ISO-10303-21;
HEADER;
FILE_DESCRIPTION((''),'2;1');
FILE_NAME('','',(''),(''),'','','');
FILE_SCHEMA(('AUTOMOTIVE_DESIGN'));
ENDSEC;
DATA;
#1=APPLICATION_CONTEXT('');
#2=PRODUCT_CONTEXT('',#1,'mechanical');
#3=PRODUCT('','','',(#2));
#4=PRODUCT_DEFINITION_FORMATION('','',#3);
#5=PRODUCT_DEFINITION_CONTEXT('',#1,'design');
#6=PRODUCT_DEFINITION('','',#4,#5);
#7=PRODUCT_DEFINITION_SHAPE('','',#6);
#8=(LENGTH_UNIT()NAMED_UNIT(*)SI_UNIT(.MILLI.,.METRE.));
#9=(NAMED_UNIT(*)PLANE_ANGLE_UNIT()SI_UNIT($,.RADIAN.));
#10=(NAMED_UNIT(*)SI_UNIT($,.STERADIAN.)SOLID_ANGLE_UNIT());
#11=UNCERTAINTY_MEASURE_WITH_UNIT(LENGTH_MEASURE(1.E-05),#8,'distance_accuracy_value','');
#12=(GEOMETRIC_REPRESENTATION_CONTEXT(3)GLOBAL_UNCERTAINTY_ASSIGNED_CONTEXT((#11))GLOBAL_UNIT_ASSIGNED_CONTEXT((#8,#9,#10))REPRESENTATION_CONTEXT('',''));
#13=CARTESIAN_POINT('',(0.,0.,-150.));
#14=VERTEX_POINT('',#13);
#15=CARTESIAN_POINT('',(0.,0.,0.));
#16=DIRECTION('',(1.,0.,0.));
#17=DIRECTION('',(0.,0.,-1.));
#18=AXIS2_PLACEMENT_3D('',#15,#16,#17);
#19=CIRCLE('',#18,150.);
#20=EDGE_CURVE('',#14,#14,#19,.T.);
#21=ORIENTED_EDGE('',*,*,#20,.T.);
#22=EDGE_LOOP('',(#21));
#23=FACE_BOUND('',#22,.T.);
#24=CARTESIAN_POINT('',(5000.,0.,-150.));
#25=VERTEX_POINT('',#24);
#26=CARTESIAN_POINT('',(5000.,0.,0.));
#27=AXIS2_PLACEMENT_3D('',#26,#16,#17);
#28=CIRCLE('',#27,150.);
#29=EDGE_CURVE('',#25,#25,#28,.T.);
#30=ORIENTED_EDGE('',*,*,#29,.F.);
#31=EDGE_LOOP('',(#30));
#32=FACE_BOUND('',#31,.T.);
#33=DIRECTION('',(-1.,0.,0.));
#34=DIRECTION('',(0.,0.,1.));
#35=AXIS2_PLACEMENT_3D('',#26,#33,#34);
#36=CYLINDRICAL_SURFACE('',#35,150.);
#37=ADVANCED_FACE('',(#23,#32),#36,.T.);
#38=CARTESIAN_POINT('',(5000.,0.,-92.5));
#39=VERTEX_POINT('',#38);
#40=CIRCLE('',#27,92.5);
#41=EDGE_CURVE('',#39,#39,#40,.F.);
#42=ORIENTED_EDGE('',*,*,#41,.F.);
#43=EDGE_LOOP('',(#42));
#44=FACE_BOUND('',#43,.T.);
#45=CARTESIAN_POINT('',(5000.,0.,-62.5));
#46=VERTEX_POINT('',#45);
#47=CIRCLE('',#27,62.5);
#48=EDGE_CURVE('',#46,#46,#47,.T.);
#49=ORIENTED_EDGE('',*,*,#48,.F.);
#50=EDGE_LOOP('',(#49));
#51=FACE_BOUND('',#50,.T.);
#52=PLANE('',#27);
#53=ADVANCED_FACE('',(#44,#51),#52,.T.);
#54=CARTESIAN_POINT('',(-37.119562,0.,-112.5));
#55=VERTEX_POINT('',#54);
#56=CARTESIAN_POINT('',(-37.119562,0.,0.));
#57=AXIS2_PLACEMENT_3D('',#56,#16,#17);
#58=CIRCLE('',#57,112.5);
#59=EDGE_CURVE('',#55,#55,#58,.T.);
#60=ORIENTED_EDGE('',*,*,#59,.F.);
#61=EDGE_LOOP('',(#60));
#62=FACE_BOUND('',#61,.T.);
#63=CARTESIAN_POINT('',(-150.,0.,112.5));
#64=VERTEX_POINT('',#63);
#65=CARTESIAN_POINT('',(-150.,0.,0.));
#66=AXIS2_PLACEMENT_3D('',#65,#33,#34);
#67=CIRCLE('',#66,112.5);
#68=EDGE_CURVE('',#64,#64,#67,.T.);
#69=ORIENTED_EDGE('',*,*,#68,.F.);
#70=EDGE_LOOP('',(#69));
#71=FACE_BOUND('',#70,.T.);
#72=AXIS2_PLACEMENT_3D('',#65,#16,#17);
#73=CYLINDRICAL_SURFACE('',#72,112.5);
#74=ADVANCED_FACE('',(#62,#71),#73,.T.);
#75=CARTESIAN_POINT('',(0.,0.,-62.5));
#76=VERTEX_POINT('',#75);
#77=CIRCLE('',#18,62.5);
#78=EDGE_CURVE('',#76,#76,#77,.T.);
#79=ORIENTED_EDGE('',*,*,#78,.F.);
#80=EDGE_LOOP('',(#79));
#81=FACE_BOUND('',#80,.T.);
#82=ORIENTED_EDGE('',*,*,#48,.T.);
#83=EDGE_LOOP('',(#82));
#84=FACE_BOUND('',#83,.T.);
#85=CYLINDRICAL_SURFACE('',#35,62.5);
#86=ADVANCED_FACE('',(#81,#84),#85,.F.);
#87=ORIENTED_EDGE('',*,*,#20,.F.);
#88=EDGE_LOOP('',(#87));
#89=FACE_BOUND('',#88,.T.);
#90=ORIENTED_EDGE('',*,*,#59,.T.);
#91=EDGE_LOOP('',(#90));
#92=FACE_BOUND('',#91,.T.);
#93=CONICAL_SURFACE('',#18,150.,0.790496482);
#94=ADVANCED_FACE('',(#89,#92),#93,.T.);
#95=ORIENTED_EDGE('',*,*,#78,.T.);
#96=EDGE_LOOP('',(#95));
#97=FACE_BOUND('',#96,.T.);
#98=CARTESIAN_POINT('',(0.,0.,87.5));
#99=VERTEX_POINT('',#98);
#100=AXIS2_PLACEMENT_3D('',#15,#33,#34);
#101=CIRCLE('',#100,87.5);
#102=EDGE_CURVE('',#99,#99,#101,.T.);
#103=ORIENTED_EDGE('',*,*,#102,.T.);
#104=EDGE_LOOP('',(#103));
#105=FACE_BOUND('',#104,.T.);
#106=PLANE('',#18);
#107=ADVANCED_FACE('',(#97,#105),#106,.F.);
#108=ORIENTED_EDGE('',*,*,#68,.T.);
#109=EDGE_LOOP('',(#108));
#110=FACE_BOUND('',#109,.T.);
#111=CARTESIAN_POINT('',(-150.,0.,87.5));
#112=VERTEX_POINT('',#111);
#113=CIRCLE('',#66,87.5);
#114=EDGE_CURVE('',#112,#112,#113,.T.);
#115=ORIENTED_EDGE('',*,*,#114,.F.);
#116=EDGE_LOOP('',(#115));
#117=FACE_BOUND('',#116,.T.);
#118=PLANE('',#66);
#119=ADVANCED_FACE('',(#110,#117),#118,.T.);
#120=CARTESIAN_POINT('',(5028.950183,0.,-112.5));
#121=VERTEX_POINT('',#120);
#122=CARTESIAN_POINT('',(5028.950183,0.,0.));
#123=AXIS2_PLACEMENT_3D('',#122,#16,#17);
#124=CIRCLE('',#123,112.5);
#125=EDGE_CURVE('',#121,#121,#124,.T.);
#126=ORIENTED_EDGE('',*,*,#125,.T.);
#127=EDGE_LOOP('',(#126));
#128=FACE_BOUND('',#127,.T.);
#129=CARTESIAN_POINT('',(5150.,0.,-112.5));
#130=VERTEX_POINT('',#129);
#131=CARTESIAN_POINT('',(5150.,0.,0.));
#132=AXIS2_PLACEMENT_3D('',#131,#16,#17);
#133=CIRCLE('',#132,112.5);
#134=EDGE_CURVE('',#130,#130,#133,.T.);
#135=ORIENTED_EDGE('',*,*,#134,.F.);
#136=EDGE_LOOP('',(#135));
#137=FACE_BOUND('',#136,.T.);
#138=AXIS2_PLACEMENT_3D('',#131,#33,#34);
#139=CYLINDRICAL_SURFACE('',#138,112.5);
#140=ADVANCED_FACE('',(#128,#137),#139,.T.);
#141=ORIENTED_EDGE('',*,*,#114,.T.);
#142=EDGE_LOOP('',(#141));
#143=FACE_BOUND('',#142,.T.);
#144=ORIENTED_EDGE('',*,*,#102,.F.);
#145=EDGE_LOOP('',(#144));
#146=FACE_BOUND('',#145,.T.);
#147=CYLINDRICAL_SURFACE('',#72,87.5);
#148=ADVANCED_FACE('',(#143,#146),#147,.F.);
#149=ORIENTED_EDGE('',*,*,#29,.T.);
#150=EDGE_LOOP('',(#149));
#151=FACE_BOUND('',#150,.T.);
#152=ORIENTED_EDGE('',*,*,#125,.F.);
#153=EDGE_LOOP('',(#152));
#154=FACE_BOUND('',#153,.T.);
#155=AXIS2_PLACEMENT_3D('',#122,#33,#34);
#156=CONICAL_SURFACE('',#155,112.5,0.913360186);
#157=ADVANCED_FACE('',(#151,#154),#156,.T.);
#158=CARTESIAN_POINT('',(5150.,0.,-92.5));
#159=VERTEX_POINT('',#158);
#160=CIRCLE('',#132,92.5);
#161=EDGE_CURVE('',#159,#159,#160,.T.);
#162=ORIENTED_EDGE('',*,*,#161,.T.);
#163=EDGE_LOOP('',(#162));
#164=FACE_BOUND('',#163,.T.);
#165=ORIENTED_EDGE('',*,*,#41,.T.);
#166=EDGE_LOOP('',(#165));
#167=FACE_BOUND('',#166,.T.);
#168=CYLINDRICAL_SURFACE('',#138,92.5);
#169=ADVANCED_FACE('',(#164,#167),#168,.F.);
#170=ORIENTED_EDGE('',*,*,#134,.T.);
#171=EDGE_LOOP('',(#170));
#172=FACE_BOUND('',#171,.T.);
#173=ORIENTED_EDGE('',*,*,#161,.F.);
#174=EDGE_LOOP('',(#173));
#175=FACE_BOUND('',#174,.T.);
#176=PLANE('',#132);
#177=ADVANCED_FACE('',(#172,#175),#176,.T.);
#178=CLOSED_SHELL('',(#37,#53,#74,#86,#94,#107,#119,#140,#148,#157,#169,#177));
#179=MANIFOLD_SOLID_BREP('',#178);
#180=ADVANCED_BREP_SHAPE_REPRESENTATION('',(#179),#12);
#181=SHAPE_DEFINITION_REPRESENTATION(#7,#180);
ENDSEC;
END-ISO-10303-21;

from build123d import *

# Parameters (mm, degrees)
SKETCH1_R           = 150
SKETCH1_R_2         = 62.5
BOSS_EXTRUDE1_DEPTH = 5000
SKETCH2_R           = 112.5
SKETCH2_R_2         = 92.5
BOSS_EXTRUDE2_DEPTH = 150
SKETCH6_R           = 112.5
SKETCH6_R_2         = 87.5
BOSS_EXTRUDE3_DEPTH = 150


with BuildPart() as part:
    # Sketch1 → Boss-Extrude1 (new body)
    with BuildSketch(Plane(origin=(0, 0, 0), x_dir=(0, 0, -1), z_dir=(1, 0, 0))):
        Circle(SKETCH1_R)
        Circle(SKETCH1_R_2, mode=Mode.SUBTRACT)
    extrude(amount=BOSS_EXTRUDE1_DEPTH)



with BuildPart() as body_2:
    # Sketch2 → Boss-Extrude2 (new body)
    with BuildSketch(Plane(origin=(5000, 0, 0), x_dir=(0, 0, -1), z_dir=(1, 0, 0))):
        Circle(SKETCH2_R)
        Circle(SKETCH2_R_2, mode=Mode.SUBTRACT)
    extrude(amount=BOSS_EXTRUDE2_DEPTH)


with BuildPart() as part_1:
    add(part.part)

    add(body_2.part)  # Revolve1 merges body 2
    # Sketch4 → Revolve1 (revolve)
    with BuildSketch(Plane.XY, mode=Mode.PRIVATE) as revolve1_sk:
        Polygon((5000, 150), (5000, 112.5), (5028.950183413, 112.5), align=None)
    revolve(revolve1_sk.sketch.rotate(Axis((5128.632077333, 0, 0), (-1, 0, 0)), 90), axis=Axis((5128.632077333, 0, 0), (-1, 0, 0)))



with BuildPart() as body_2_2:
    # Sketch6 → Boss-Extrude3 (new body)
    with BuildSketch(Plane.ZY):
        with Locations(Location((0, 0, 0), (0, 0, 180))):
            Circle(SKETCH6_R)
        Circle(SKETCH6_R_2, mode=Mode.SUBTRACT)
    extrude(amount=BOSS_EXTRUDE3_DEPTH)


with BuildPart() as part_2:
    add(part_1.part)

    add(body_2_2.part)  # Revolve2 merges body 2 2
    # Sketch7 → Revolve2 (revolve)
    with BuildSketch(Plane.XY, mode=Mode.PRIVATE) as revolve2_sk:
        Polygon((0, 150), (0, 112.5), (-37.119562434, 112.5), align=None)
    revolve(revolve2_sk.sketch.rotate(Axis((0, 0, 0), (-1, 0, 0)), 90), axis=Axis((0, 0, 0), (-1, 0, 0)))


solid = part_2.part
